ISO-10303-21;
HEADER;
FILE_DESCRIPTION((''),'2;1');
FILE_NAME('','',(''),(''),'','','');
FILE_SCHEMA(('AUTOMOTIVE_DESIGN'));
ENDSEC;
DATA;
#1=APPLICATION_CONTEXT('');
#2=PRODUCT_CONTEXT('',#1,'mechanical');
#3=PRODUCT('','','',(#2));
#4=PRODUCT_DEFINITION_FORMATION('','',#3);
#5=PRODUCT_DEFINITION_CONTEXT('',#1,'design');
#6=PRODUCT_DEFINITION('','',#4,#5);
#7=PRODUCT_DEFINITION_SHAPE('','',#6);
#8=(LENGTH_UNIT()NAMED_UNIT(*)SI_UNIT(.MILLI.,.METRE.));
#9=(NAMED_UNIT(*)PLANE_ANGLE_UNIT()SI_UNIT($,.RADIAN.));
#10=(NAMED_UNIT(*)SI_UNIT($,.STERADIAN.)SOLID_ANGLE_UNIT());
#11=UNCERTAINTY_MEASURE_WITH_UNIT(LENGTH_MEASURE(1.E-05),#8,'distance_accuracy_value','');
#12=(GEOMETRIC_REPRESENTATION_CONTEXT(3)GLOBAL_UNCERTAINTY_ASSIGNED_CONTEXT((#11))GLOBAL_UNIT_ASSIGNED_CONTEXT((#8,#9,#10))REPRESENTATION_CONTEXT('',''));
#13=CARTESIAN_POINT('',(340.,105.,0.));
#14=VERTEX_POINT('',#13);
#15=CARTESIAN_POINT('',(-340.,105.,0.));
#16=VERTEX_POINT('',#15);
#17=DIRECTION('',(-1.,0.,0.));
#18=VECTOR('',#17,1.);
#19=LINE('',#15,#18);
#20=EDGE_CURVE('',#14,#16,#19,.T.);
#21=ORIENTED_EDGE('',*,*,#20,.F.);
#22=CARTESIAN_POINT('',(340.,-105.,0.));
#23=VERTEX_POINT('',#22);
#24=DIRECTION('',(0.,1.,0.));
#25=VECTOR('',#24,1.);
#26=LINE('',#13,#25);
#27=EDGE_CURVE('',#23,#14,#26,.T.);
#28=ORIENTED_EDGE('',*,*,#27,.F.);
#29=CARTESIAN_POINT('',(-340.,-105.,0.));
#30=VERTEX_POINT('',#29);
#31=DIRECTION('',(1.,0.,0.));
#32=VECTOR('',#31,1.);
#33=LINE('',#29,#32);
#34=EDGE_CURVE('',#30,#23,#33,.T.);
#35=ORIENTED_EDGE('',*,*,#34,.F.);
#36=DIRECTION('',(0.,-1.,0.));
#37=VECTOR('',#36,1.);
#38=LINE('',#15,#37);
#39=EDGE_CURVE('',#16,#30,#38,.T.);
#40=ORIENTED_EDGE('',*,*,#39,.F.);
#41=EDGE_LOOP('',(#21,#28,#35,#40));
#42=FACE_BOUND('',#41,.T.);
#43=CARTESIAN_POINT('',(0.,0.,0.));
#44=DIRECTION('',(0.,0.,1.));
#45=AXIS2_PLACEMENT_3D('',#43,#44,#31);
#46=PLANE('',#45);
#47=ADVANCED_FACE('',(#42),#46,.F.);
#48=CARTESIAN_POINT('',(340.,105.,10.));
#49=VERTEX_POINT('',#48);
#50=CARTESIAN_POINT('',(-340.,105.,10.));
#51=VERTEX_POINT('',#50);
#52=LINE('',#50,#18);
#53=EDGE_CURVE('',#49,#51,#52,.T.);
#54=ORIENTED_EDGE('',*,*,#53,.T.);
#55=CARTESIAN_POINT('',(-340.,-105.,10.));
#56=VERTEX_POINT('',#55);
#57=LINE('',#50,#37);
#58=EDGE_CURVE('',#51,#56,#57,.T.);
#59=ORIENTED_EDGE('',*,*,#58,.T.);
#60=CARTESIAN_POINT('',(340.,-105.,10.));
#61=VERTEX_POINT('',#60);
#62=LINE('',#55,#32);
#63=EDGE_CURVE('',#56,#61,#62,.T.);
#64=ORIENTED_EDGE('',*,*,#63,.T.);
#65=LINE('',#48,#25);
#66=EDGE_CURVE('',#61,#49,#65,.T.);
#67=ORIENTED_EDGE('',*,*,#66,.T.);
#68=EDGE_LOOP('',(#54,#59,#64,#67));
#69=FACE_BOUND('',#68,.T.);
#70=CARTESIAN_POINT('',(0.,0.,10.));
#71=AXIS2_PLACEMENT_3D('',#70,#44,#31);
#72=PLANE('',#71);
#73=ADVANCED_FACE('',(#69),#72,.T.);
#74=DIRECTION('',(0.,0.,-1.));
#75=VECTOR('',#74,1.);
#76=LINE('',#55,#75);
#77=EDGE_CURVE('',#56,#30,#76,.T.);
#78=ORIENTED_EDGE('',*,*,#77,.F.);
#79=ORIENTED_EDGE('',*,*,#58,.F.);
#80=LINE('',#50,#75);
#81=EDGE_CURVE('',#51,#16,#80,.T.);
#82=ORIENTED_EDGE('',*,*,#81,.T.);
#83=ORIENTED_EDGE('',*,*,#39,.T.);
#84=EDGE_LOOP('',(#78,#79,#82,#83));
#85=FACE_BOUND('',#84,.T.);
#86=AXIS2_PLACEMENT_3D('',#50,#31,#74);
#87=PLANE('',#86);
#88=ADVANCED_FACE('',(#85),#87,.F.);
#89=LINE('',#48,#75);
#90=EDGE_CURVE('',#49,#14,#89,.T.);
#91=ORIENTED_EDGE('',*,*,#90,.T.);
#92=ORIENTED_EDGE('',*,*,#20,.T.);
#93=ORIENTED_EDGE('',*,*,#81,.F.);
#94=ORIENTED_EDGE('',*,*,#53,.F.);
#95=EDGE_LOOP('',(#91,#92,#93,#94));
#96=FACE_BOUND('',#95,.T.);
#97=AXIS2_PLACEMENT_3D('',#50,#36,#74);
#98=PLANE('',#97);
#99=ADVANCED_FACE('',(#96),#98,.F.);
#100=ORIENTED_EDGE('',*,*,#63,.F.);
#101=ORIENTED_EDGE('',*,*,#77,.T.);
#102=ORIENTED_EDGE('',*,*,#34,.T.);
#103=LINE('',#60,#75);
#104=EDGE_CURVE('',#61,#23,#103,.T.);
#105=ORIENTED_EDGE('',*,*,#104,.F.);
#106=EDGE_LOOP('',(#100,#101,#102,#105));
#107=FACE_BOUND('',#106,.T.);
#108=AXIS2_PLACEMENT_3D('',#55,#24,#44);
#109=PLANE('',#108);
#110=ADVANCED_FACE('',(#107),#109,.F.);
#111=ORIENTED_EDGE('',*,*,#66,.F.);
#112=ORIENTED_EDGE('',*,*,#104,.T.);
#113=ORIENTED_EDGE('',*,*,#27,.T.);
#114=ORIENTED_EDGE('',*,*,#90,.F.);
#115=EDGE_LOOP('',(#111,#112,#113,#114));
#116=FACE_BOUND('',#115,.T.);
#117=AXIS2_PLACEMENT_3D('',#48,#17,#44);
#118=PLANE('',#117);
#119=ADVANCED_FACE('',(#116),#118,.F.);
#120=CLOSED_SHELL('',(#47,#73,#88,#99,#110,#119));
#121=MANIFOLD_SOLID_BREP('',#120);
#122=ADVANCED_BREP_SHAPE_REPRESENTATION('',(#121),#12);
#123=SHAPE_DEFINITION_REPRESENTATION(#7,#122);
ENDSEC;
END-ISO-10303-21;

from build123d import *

# Parameters (mm, degrees)
ESQUISSE1_W        = 680
ESQUISSE1_H        = 210
BOSS_EXTRU_1_DEPTH = 10


with BuildPart() as part:
    # Esquisse1 → Boss.-Extru.1 (new body)
    with BuildSketch(Plane.XY):
        Rectangle(ESQUISSE1_W, ESQUISSE1_H)
    extrude(amount=BOSS_EXTRU_1_DEPTH)


solid = part.part
